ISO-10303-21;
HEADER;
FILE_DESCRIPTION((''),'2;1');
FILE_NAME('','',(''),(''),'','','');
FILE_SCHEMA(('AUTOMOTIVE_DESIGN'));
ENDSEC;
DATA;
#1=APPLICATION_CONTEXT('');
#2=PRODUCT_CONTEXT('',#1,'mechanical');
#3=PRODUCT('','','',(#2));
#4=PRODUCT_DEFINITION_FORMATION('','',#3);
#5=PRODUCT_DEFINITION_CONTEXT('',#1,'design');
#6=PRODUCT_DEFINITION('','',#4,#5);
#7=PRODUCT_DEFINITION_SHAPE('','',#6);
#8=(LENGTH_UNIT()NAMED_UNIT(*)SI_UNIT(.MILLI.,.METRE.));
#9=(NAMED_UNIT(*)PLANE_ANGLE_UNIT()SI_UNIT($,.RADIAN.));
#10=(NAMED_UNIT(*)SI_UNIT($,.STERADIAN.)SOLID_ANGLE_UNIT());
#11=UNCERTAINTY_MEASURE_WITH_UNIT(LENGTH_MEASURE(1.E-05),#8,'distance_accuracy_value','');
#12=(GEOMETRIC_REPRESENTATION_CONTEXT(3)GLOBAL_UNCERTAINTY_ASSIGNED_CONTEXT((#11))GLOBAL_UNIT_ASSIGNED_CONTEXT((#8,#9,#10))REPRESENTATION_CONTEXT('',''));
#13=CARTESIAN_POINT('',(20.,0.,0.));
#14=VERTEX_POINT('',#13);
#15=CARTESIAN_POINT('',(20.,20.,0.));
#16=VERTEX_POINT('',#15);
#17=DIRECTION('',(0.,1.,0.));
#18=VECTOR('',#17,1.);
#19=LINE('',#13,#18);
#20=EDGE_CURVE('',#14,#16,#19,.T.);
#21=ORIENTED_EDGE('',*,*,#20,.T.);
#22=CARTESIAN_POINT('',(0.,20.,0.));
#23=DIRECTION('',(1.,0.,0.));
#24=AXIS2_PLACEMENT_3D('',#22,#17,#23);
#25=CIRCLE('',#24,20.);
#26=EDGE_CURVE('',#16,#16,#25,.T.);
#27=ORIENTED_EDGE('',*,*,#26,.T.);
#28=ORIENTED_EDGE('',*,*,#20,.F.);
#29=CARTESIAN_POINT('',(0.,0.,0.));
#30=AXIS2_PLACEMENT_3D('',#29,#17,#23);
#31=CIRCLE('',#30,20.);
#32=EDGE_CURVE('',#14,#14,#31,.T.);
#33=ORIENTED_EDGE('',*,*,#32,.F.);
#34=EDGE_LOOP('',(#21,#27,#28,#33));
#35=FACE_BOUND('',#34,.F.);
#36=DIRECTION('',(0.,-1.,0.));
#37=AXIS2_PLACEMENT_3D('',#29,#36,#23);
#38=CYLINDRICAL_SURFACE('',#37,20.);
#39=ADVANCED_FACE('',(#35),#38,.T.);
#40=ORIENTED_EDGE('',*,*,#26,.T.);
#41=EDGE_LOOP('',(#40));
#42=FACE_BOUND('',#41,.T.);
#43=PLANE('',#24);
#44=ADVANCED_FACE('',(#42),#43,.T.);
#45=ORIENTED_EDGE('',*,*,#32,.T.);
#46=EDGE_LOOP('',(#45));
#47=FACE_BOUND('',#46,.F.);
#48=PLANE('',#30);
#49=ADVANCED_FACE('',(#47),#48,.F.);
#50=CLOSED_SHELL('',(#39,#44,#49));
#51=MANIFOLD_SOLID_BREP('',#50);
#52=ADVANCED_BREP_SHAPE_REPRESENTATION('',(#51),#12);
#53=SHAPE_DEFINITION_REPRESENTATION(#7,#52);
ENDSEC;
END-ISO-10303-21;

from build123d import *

# Parameters (mm, degrees)
SKETCH2_R           = 20
BOSS_EXTRUDE1_DEPTH = 20


with BuildPart() as part:
    # Sketch2 → Boss-Extrude1 (new body)
    with BuildSketch(Plane(origin=(0, 0, 0), x_dir=(1, 0, 0), z_dir=(0, 1, 0))):
        Circle(SKETCH2_R)
    extrude(amount=BOSS_EXTRUDE1_DEPTH)


solid = part.part
